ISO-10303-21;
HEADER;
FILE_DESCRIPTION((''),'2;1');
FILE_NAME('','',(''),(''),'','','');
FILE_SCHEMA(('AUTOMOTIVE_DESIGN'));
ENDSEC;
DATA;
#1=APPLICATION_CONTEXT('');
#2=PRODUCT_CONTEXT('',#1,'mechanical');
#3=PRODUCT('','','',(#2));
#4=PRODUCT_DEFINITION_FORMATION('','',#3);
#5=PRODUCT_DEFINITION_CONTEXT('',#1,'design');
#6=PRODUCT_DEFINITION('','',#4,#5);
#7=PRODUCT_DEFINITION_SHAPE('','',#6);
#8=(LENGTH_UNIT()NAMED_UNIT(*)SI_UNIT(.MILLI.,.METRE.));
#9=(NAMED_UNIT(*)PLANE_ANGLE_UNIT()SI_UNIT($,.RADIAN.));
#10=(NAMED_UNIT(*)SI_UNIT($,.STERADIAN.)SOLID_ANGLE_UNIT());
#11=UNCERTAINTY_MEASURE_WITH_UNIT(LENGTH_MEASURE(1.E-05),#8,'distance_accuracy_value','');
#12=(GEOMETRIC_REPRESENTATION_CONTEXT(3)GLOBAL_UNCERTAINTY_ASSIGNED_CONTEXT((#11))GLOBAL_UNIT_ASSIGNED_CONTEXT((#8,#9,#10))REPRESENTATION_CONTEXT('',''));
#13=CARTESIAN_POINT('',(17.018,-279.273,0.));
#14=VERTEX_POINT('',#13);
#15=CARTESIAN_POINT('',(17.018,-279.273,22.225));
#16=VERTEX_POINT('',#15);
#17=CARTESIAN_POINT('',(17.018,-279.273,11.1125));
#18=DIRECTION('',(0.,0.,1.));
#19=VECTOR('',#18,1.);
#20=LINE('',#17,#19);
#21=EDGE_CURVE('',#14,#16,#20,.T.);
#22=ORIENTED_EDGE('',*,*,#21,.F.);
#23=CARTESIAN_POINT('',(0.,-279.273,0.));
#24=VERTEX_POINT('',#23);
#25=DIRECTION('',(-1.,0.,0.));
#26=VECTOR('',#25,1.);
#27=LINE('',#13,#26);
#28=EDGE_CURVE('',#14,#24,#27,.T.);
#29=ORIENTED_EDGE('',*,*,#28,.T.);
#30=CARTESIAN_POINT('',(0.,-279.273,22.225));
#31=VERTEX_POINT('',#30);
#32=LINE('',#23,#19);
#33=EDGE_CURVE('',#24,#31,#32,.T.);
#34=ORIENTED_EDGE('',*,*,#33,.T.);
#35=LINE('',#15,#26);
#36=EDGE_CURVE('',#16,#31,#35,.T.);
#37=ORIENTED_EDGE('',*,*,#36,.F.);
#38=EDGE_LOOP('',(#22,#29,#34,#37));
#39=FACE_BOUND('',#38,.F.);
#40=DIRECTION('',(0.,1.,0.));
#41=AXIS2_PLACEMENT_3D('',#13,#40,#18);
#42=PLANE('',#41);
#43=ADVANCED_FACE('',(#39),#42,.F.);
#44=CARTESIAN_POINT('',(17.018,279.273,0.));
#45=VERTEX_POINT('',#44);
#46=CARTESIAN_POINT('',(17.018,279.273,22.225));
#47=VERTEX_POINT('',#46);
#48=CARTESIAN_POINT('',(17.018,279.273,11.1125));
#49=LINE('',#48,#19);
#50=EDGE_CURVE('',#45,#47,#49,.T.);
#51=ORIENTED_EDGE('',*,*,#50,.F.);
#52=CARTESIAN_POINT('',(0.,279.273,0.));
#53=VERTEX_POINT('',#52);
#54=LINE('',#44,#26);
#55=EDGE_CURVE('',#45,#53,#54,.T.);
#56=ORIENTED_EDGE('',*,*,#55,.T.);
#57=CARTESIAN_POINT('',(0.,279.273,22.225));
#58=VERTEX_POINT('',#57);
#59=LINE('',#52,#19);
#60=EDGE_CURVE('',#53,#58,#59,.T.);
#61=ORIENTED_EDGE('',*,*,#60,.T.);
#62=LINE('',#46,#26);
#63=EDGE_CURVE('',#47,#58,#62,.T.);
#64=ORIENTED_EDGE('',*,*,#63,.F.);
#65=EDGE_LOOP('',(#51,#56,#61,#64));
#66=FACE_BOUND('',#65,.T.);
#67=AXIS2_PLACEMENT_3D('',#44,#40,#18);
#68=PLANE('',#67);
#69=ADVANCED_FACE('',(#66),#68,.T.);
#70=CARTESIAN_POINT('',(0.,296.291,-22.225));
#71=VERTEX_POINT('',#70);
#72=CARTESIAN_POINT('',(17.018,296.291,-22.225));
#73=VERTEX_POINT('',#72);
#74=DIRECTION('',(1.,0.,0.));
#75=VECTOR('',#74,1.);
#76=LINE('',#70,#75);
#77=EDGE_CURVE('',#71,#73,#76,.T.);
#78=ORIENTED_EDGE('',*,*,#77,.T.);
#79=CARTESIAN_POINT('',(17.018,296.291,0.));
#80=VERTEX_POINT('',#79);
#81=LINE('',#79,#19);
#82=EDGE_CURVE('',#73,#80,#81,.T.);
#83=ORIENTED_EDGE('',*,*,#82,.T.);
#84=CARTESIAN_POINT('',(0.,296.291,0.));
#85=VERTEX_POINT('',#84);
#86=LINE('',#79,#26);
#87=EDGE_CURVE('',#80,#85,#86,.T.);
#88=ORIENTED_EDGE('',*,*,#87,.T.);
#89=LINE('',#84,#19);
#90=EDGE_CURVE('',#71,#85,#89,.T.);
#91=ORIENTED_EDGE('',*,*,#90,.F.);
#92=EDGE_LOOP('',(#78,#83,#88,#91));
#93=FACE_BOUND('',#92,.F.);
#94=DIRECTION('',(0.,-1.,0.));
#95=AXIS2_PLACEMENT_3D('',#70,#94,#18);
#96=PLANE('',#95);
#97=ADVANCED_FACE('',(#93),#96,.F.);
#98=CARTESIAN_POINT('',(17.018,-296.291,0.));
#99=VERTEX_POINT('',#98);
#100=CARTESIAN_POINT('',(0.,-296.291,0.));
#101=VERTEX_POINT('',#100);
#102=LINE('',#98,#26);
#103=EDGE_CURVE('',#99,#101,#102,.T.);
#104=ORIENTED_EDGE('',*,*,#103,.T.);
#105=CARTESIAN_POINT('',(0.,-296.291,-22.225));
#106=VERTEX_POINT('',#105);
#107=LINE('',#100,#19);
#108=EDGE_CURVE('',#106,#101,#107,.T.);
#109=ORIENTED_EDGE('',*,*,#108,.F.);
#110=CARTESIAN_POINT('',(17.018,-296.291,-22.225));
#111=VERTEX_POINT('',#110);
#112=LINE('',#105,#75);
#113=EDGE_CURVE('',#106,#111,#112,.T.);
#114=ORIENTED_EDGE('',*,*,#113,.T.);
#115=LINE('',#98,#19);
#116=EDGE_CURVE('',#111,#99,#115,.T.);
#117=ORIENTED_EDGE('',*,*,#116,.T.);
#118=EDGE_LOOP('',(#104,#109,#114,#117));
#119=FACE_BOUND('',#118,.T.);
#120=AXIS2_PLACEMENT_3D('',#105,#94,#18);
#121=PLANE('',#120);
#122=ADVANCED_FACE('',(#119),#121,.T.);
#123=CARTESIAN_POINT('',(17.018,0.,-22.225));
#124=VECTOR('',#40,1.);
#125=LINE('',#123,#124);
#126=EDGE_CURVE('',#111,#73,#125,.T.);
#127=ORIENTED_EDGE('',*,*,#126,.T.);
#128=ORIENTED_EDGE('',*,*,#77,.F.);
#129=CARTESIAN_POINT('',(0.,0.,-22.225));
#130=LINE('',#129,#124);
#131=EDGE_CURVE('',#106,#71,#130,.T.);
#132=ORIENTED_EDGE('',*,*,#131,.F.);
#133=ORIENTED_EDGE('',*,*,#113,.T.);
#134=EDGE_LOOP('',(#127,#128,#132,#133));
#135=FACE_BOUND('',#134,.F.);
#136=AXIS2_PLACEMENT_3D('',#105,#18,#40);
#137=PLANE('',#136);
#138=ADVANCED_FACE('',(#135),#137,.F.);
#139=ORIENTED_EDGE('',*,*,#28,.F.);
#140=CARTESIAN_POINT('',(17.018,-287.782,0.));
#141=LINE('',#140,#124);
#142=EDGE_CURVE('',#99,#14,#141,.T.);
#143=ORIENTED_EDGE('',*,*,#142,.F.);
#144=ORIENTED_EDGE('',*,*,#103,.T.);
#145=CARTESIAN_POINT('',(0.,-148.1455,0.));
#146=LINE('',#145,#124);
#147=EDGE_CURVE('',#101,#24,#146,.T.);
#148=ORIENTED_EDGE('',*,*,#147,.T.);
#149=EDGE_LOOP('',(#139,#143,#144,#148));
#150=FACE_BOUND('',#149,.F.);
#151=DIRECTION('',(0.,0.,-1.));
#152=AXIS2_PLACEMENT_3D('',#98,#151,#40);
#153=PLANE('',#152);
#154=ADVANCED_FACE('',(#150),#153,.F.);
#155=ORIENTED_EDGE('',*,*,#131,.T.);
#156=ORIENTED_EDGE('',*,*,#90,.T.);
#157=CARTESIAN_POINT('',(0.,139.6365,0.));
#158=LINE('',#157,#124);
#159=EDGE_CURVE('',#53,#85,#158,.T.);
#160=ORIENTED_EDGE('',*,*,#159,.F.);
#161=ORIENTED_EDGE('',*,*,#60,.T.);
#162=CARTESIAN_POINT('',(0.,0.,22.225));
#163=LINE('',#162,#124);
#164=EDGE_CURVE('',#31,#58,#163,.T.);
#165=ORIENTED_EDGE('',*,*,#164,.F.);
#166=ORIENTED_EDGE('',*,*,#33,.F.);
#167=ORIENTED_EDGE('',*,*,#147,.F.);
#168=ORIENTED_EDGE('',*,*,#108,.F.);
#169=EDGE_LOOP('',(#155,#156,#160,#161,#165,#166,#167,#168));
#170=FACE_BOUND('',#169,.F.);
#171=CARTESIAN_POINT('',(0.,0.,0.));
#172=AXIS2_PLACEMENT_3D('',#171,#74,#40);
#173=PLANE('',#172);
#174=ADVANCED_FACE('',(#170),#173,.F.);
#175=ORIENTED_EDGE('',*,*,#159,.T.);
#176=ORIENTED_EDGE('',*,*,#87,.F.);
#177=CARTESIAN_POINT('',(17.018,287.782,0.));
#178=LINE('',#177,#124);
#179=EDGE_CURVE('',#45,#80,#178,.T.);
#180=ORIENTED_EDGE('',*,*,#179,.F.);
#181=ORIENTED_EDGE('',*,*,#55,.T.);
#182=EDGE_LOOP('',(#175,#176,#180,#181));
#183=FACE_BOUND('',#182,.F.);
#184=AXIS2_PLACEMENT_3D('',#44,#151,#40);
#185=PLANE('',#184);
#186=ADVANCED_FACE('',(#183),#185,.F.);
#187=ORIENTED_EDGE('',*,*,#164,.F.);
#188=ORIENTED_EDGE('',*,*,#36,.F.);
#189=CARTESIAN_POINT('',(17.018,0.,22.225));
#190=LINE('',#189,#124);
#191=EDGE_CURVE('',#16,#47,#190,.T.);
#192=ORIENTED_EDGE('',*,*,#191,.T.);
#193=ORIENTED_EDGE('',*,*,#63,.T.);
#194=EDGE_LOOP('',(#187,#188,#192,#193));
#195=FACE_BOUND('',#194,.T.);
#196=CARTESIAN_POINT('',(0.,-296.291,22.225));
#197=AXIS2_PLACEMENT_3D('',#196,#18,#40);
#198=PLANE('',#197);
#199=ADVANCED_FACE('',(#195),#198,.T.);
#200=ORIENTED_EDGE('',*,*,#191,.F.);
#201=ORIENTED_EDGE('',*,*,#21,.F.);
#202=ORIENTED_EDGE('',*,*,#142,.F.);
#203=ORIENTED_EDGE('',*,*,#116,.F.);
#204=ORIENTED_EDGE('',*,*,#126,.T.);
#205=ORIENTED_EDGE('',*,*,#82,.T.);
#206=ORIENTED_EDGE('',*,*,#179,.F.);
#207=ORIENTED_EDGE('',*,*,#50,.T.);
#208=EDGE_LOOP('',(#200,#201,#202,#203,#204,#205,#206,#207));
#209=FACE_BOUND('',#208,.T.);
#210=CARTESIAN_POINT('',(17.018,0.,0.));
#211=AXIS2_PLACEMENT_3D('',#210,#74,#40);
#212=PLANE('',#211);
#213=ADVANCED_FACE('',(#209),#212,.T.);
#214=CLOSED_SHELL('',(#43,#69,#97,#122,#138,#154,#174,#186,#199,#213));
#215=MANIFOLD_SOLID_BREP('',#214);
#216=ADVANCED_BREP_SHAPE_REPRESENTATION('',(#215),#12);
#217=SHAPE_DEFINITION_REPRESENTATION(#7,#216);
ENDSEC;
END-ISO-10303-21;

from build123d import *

# Parameters (mm, degrees)
F0_W     = 592.582
F0_H     = 44.45
F1_DEPTH = 17.018
F2_W     = 17.018
F2_H     = 22.225
F3_DEPTH = 17.019


with BuildPart() as f1:
    # F0 (on Right) → F1 (new body)
    with BuildSketch(Plane.YZ):
        Rectangle(F0_W, F0_H)
    extrude(amount=F1_DEPTH)

    # F2 (on face) → F3 (cut, through all)
    with BuildSketch(Plane.YZ.offset(17.018)):
        with Locations((-287.782, 11.1125)):
            Rectangle(F2_W, F2_H)
        with Locations((287.782, 11.1125)):
            Rectangle(F2_W, F2_H)
    extrude(amount=-F3_DEPTH, mode=Mode.SUBTRACT)


solid = f1.part
